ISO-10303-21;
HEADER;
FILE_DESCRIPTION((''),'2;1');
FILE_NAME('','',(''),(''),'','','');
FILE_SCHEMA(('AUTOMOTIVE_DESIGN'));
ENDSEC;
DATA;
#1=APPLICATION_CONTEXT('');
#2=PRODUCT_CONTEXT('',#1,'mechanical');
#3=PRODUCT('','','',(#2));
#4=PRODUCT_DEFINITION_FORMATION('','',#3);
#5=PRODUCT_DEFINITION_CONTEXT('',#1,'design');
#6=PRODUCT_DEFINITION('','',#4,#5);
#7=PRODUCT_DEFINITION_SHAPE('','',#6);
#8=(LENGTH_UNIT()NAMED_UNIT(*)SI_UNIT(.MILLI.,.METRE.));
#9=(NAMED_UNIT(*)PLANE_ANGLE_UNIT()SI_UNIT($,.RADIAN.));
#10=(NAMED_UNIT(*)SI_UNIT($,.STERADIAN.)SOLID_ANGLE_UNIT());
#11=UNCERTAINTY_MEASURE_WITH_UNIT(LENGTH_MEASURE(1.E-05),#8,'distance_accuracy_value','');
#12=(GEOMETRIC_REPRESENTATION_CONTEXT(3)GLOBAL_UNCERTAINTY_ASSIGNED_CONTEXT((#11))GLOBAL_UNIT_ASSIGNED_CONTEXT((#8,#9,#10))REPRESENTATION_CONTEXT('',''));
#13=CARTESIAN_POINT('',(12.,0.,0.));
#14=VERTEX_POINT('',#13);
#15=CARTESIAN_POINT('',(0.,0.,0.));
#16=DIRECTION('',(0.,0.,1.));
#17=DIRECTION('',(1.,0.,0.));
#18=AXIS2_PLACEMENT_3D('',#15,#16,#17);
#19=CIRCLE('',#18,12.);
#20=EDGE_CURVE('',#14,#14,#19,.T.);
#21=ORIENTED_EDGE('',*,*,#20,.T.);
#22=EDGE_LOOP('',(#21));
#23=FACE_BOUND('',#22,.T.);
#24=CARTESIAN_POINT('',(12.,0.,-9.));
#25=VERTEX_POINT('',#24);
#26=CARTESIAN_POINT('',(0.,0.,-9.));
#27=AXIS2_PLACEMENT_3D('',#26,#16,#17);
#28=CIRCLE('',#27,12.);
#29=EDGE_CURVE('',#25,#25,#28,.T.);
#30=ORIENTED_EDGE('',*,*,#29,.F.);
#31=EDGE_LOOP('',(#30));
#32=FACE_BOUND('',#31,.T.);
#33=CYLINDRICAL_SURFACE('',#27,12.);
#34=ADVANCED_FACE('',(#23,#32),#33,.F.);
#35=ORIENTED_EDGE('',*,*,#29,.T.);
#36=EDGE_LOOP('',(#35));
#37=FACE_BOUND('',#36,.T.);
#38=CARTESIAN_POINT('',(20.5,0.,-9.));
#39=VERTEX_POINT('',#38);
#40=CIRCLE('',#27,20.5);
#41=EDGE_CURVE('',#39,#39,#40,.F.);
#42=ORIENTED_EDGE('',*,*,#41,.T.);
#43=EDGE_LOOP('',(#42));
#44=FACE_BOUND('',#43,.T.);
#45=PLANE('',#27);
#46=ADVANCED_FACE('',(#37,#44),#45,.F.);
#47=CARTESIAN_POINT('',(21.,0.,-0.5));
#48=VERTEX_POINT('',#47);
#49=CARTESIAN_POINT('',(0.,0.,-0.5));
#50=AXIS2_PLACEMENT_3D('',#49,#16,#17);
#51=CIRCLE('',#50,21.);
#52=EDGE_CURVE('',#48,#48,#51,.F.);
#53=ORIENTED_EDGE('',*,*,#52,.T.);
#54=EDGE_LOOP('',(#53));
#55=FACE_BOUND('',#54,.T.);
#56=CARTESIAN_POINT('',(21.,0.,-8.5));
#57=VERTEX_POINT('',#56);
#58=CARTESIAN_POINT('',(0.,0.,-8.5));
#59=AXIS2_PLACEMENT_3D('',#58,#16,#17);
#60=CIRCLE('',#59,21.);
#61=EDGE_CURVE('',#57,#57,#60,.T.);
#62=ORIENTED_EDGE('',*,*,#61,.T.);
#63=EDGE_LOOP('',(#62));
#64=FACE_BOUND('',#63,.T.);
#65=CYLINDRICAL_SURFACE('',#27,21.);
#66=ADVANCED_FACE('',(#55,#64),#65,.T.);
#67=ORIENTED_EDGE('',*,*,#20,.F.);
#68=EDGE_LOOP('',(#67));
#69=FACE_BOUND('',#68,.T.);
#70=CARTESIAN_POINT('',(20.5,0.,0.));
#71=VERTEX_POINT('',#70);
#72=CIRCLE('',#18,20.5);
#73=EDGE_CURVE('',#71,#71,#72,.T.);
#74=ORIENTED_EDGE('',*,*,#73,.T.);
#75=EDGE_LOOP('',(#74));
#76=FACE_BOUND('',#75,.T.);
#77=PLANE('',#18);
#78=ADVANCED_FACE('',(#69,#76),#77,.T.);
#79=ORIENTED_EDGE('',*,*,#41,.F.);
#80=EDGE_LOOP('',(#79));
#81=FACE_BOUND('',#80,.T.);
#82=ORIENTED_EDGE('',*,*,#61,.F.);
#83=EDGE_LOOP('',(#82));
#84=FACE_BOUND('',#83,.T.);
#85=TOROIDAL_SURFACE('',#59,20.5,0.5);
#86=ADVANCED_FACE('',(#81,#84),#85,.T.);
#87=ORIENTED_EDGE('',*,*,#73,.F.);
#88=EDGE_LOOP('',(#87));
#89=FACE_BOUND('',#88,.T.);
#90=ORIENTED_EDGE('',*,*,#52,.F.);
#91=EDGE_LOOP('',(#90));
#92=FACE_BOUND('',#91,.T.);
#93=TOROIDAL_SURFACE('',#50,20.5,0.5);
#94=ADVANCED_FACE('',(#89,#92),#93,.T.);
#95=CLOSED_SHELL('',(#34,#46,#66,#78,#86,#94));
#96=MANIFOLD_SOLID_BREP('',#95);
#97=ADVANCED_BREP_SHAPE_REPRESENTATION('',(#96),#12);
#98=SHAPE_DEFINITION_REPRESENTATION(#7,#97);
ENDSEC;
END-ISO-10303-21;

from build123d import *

# Parameters (mm, degrees)
SKETCH1_R           = 21
SKETCH1_R_2         = 12
BOSS_EXTRUDE1_DEPTH = 9
FILLET1_R           = 0.5


with BuildPart() as part:
    # Sketch1 → Boss-Extrude1 (new body)
    with BuildSketch(Plane.XY):
        Circle(SKETCH1_R)
        Circle(SKETCH1_R_2, mode=Mode.SUBTRACT)
    extrude(amount=-BOSS_EXTRUDE1_DEPTH)

    # Fillet1
    fillet1_edges = [part.edges().sort_by_distance(p)[0] for p in [
        (-21, 0, 0),
        (-21, 0, -9),
    ]]
    fillet(fillet1_edges, radius=FILLET1_R)


solid = part.part
